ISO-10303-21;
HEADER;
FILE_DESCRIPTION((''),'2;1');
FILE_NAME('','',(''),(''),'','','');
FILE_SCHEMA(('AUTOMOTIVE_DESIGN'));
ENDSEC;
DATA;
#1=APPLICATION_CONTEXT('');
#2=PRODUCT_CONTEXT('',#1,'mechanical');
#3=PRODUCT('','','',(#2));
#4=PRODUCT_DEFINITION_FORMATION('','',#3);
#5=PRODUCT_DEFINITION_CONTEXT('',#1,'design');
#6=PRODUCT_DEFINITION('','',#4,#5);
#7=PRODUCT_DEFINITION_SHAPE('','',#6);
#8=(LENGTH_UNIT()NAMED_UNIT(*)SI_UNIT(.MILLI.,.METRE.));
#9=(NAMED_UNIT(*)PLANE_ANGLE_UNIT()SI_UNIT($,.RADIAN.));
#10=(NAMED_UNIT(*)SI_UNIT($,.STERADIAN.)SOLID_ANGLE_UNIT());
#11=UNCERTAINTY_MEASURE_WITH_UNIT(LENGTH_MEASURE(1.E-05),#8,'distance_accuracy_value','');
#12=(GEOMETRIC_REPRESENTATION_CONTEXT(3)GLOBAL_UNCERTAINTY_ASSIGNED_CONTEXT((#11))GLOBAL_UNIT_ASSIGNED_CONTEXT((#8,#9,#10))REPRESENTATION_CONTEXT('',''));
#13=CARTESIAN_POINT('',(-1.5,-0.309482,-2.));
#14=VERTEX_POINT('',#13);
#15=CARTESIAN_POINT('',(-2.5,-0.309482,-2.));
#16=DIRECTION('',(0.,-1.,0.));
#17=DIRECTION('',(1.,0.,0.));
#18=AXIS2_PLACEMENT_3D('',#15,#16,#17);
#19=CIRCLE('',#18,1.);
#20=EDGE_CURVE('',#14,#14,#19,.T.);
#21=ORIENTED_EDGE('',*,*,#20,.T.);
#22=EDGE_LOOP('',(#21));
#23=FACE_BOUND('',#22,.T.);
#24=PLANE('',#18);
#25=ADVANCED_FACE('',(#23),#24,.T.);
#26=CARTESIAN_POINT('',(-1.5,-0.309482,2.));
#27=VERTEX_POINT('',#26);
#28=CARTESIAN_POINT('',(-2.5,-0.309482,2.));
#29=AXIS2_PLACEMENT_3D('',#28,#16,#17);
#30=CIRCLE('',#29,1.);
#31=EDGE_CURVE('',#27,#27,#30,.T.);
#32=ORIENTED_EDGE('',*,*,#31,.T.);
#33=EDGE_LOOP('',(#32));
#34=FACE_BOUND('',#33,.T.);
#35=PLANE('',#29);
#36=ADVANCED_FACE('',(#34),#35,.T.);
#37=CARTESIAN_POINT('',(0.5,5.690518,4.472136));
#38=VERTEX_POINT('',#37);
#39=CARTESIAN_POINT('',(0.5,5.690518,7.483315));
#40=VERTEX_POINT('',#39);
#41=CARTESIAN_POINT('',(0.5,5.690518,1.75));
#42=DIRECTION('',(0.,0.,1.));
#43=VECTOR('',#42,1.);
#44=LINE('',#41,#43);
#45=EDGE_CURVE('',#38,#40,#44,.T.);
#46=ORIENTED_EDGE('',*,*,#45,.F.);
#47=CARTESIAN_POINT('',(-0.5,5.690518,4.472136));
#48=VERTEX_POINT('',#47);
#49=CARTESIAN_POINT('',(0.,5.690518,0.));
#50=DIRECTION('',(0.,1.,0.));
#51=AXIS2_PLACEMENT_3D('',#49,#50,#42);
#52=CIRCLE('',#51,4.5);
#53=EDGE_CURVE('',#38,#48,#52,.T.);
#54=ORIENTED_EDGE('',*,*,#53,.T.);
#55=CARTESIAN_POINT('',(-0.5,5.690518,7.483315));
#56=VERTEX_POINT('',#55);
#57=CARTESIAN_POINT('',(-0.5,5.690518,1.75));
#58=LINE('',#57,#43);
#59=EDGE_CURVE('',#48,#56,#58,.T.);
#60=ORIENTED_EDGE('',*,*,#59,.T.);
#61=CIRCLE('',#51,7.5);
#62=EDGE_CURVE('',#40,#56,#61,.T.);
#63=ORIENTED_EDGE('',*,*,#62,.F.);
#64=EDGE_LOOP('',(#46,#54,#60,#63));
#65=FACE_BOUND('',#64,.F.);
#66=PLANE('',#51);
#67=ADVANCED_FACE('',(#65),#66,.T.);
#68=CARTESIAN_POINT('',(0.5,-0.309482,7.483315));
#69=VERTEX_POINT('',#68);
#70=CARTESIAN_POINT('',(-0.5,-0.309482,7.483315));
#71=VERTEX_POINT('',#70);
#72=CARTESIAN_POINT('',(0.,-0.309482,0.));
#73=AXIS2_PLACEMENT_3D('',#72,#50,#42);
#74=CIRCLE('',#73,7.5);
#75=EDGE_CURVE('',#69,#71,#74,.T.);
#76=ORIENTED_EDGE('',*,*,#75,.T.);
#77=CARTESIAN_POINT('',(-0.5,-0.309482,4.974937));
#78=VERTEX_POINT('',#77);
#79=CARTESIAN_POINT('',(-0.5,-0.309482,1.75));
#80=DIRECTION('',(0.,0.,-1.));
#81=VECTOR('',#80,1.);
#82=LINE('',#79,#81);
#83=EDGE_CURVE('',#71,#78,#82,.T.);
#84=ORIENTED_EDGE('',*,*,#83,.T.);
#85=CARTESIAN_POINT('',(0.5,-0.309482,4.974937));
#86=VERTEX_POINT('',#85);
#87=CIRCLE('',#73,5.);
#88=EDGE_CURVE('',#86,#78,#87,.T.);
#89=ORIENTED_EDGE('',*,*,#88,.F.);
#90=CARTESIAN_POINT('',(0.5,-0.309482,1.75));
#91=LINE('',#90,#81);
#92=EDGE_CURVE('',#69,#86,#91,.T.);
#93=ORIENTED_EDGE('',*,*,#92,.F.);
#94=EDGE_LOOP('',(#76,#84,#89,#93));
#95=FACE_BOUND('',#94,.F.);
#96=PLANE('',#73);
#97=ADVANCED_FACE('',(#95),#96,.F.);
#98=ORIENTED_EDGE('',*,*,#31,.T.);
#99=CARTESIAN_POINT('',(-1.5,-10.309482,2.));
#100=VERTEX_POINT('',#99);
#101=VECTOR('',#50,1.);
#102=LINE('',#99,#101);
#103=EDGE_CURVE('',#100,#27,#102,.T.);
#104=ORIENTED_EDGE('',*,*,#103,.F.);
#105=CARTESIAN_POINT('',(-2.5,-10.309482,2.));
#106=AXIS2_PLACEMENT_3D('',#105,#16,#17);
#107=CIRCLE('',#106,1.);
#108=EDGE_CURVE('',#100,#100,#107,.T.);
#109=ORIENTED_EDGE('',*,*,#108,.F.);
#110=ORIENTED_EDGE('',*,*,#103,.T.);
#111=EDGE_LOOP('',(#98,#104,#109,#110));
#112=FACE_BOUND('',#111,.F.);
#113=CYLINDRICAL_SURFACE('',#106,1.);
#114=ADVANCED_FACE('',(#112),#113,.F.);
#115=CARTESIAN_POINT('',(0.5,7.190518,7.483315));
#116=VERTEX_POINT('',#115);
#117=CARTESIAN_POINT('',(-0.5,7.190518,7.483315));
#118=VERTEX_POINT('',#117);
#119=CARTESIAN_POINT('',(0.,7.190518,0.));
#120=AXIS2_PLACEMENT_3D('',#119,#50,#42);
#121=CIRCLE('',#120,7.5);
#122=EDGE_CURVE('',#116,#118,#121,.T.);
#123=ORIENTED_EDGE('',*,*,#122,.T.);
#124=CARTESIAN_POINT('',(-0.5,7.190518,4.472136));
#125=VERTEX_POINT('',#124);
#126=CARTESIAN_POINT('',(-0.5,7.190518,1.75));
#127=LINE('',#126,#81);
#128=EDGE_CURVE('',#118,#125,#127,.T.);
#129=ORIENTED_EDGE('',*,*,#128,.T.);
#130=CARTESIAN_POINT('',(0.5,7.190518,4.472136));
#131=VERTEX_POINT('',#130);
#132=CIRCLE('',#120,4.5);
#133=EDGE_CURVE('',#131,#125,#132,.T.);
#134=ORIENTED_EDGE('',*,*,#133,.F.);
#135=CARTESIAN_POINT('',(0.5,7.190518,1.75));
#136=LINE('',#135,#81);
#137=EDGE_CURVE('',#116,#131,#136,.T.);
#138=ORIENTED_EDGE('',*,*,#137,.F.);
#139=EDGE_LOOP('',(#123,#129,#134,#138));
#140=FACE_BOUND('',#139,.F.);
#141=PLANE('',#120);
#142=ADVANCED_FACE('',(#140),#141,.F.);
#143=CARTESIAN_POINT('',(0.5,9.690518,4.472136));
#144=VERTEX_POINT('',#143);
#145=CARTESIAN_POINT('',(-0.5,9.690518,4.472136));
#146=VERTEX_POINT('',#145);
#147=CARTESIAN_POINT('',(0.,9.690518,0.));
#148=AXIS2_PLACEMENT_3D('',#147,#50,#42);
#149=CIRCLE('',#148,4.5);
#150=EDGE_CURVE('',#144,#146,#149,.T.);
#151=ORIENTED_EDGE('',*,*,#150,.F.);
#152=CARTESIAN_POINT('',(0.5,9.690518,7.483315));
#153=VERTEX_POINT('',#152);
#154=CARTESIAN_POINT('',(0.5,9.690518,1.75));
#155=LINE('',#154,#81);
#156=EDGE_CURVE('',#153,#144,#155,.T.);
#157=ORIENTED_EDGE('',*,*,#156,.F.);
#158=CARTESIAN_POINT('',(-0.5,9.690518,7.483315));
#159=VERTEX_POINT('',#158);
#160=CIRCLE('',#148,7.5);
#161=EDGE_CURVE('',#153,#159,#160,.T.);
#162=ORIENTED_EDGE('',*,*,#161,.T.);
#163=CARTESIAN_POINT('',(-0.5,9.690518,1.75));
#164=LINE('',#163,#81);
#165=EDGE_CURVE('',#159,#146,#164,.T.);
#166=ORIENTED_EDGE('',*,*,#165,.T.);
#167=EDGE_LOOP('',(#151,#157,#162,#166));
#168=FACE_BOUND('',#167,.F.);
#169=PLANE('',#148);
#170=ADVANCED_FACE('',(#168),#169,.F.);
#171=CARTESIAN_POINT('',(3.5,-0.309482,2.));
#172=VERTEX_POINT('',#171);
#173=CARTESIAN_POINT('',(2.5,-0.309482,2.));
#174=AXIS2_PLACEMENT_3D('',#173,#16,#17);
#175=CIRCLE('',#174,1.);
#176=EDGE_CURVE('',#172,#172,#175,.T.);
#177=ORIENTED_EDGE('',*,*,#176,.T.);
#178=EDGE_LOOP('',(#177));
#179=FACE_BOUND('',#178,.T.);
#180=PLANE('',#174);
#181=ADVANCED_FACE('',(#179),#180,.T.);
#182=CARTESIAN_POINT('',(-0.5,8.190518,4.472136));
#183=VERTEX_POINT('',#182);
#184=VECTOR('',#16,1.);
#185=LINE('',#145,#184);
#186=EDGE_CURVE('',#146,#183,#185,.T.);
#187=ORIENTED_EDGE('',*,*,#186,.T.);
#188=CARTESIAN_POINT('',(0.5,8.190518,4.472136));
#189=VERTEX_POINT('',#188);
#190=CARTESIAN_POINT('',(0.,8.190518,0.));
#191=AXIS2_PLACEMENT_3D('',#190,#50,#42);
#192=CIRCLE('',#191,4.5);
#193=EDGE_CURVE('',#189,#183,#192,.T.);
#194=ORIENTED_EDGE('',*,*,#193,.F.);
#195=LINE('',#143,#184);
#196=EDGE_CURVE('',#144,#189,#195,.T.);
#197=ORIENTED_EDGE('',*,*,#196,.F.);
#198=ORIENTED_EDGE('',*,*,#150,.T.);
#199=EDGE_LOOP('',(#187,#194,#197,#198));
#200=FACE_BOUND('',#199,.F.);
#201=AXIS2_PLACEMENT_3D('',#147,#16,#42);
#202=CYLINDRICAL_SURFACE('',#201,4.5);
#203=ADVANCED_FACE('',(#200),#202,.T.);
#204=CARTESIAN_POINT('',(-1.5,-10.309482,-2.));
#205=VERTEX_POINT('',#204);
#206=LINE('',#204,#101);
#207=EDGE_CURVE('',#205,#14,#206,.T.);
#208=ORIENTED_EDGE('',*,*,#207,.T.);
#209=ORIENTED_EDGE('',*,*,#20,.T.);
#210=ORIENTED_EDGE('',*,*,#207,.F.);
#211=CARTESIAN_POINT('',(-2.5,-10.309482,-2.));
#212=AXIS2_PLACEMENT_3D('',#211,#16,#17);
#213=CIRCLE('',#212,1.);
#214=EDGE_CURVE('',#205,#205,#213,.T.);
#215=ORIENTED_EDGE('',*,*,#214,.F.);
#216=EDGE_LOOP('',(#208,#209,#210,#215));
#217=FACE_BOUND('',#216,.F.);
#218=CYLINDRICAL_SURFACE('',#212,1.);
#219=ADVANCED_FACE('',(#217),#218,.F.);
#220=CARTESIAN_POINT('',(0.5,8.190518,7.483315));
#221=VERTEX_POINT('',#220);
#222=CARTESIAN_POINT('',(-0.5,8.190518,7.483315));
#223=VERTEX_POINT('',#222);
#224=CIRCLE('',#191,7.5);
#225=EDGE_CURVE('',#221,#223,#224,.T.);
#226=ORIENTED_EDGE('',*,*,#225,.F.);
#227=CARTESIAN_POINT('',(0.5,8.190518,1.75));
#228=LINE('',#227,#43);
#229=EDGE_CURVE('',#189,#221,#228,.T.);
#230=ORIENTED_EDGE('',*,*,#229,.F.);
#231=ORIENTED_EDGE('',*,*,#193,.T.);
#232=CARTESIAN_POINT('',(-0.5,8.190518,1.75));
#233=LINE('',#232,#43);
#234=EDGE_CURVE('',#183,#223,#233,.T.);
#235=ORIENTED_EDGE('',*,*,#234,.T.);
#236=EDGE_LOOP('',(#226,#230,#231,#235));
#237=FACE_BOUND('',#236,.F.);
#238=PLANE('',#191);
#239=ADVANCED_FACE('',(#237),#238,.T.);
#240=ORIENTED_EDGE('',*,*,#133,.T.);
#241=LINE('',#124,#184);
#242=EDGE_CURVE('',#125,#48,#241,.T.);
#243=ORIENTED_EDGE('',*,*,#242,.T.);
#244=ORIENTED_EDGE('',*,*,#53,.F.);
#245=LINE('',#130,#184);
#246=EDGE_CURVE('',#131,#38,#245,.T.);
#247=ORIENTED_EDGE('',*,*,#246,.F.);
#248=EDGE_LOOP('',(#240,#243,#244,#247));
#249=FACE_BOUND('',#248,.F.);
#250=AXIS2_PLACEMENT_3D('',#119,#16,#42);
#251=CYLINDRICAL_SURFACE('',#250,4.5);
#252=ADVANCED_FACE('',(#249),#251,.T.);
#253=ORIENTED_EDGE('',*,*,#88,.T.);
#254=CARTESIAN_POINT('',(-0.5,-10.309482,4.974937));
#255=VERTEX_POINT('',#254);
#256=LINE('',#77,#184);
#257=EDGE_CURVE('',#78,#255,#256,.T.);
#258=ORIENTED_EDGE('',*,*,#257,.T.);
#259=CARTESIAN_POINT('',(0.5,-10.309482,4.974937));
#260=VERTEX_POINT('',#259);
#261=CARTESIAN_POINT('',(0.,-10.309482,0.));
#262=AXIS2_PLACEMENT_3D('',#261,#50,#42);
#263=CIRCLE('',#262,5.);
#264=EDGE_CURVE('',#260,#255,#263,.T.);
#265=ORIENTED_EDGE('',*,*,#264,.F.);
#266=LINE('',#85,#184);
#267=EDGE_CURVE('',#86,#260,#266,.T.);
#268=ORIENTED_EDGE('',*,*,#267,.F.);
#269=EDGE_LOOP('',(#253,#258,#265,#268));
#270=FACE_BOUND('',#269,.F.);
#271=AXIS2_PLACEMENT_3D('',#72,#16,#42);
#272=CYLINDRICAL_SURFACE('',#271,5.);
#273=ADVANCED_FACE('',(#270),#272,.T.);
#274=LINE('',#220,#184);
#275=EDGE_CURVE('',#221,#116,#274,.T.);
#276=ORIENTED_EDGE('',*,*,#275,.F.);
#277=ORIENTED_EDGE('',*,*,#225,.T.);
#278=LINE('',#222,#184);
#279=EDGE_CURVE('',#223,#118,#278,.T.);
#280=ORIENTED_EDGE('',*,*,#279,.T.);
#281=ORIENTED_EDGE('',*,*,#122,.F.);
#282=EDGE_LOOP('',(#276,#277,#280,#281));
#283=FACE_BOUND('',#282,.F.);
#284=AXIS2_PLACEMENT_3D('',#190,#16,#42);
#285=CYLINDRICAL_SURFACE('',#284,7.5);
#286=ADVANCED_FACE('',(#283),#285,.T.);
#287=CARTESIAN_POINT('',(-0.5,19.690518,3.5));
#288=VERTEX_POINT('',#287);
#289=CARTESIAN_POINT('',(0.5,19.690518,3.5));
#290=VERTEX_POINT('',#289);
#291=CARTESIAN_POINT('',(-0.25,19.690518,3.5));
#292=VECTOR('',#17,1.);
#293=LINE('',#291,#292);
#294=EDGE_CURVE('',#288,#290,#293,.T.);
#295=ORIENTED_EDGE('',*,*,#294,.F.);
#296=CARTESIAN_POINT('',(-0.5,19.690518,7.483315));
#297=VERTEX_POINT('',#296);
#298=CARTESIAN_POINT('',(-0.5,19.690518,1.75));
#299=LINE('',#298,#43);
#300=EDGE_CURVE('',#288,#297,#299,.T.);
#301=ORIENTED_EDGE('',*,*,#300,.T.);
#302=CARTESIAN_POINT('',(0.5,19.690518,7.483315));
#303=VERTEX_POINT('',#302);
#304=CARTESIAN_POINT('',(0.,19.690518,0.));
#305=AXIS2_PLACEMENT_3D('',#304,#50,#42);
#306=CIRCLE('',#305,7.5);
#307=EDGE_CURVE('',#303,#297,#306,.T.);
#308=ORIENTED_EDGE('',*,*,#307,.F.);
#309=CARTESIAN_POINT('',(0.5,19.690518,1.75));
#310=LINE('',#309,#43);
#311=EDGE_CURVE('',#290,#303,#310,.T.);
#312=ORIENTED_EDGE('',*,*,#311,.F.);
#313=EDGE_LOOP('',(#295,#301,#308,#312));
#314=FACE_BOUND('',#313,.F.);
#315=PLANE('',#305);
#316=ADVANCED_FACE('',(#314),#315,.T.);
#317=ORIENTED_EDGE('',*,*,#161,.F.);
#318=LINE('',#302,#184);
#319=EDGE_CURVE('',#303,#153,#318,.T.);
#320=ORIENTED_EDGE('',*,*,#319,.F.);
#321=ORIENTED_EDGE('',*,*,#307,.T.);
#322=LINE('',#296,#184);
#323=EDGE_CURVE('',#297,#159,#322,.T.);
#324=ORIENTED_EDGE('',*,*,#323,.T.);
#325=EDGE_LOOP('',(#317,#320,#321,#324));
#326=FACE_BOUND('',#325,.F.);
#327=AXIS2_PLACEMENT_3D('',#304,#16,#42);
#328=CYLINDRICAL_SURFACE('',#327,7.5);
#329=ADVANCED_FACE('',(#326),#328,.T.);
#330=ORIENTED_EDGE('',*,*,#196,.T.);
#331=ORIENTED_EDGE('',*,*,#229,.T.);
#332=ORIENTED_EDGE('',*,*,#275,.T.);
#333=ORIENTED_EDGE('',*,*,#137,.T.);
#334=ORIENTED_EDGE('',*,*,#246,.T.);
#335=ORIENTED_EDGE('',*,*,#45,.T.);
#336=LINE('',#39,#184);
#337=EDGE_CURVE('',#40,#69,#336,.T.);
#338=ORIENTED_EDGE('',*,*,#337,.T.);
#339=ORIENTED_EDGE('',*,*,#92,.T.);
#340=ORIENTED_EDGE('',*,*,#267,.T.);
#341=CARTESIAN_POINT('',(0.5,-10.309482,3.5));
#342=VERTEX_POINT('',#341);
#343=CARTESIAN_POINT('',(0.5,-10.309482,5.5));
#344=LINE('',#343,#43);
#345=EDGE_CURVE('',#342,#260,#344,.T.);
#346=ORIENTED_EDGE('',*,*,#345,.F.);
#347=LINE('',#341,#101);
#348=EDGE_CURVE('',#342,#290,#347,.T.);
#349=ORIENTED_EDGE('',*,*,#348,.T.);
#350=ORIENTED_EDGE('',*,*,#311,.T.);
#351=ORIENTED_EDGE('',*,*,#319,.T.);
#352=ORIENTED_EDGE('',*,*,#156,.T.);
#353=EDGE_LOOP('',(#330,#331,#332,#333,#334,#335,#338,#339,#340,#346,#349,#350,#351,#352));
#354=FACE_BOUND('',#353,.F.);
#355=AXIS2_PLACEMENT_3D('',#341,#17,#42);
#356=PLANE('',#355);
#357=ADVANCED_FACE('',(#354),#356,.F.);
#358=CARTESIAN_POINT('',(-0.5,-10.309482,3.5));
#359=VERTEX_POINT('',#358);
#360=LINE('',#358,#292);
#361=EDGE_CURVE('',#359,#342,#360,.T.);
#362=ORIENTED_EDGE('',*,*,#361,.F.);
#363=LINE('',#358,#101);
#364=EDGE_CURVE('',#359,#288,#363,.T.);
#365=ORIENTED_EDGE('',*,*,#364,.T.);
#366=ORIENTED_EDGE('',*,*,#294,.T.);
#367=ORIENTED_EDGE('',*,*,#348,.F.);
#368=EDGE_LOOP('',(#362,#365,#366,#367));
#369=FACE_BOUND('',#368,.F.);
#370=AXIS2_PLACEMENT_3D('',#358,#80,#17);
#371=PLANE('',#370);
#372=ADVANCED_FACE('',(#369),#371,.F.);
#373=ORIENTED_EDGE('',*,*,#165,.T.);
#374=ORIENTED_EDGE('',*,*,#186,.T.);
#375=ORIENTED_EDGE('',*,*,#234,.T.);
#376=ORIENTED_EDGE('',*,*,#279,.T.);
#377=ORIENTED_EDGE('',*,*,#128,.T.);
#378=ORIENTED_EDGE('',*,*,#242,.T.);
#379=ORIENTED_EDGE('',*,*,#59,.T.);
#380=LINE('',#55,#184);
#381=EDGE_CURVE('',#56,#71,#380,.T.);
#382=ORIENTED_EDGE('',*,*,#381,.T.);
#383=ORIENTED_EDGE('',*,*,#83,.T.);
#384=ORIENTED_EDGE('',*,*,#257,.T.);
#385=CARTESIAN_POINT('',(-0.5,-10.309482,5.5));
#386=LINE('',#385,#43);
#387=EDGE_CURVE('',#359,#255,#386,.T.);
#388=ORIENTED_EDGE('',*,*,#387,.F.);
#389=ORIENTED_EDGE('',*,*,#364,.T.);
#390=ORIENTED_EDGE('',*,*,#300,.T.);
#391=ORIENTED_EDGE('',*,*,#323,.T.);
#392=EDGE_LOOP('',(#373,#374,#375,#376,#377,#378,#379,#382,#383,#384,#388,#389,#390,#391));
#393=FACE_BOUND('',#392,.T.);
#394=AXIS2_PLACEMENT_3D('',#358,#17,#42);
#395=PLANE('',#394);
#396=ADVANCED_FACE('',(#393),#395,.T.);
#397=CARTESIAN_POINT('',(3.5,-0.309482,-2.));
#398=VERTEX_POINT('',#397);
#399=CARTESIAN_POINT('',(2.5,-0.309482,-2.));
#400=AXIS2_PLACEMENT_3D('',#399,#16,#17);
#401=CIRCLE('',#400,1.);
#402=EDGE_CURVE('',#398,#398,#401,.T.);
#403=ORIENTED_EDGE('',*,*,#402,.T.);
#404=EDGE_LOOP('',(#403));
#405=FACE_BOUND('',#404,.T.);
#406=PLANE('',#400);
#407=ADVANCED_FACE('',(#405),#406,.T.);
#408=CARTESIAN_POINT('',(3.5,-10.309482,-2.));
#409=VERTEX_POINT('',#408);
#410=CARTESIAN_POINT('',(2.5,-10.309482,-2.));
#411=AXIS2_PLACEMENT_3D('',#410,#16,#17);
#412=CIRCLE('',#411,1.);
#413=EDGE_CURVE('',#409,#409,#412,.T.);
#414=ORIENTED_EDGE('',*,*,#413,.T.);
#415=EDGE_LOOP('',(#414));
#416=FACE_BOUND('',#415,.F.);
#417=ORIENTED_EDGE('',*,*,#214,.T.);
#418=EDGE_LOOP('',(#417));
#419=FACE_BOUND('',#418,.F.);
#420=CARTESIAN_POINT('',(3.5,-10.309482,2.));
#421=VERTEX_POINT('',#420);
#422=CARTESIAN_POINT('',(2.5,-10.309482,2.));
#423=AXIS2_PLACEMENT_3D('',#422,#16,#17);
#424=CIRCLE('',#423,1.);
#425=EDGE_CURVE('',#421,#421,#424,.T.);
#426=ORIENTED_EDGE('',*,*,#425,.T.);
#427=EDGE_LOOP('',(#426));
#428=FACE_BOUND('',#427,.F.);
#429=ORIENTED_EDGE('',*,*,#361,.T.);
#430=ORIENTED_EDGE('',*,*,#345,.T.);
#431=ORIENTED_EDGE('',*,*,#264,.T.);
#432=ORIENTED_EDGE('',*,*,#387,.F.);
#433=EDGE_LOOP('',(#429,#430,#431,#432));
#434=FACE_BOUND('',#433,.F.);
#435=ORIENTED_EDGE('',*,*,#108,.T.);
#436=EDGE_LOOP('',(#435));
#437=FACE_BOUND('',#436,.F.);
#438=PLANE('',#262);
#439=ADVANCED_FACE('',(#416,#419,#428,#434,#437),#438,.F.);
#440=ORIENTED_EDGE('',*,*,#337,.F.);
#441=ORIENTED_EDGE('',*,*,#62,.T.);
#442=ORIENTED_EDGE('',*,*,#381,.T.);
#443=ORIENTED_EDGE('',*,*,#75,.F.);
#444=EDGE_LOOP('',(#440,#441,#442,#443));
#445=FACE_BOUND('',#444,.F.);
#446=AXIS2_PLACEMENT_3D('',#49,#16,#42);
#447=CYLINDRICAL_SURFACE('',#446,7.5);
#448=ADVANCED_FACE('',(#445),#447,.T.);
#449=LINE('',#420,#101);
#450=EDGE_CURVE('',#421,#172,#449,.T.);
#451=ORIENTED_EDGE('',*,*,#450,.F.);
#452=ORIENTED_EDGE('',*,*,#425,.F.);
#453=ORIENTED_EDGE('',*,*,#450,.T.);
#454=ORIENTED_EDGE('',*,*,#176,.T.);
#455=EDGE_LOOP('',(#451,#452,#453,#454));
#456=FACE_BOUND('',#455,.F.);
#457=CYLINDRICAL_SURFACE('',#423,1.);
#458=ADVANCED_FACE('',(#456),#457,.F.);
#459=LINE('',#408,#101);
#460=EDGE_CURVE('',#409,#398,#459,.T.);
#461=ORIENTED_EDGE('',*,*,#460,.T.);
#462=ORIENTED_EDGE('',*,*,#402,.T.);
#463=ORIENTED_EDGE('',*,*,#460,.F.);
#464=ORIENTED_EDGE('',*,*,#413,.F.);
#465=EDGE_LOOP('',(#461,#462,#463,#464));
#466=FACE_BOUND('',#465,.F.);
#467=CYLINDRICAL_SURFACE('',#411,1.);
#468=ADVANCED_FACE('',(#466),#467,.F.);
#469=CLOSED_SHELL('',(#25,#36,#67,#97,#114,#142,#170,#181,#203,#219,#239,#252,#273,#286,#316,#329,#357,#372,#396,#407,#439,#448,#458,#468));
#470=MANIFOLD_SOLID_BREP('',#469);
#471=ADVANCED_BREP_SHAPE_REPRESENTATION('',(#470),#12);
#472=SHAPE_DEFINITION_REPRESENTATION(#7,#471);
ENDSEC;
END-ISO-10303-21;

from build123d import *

# Parameters (mm, degrees)
F2_R     = 1
F3_DEPTH = 10
F4_W     = 0.5
F4_H     = 4
F5_DEPTH = 30.001


with BuildPart() as f1:
    # F0 (on Right) → F1 (revolve)
    with BuildSketch(Plane.YZ):
        Polygon((5.690518, 7.5), (-0.309482, 7.5), (-0.309482, 5), (-10.309482, 5), (-10.309482, 0), (19.690518, 0), (19.690518, 7.5), (9.690518, 7.5), (9.690518, 4.5), (8.190518, 4.5), (8.190518, 7.5), (7.190518, 7.5), (7.190518, 4.5), (5.690518, 4.5), align=None)
    revolve(axis=Axis((0, 12.775562, 0), (0, 1, 0)))

    # F2 (on face) → F3 (cut)
    with BuildSketch(Plane.XZ.offset(10.309482)):
        with Locations((-2.5, 2)):
            Circle(F2_R)
        with Locations((2.5, 2)):
            Circle(F2_R)
        with Locations((-2.5, -2)):
            Circle(F2_R)
        with Locations((2.5, -2)):
            Circle(F2_R)
    extrude(amount=-F3_DEPTH, mode=Mode.SUBTRACT)

    # F4 (on face) → F5 (cut, through all)
    with BuildSketch(Plane.XZ.offset(10.309482)):
        with Locations((-0.25, 5.5)):
            Rectangle(F4_W, F4_H)
        with Locations((0.25, 5.5)):
            Rectangle(F4_W, F4_H)
    extrude(amount=-F5_DEPTH, mode=Mode.SUBTRACT)


solid = f1.part
